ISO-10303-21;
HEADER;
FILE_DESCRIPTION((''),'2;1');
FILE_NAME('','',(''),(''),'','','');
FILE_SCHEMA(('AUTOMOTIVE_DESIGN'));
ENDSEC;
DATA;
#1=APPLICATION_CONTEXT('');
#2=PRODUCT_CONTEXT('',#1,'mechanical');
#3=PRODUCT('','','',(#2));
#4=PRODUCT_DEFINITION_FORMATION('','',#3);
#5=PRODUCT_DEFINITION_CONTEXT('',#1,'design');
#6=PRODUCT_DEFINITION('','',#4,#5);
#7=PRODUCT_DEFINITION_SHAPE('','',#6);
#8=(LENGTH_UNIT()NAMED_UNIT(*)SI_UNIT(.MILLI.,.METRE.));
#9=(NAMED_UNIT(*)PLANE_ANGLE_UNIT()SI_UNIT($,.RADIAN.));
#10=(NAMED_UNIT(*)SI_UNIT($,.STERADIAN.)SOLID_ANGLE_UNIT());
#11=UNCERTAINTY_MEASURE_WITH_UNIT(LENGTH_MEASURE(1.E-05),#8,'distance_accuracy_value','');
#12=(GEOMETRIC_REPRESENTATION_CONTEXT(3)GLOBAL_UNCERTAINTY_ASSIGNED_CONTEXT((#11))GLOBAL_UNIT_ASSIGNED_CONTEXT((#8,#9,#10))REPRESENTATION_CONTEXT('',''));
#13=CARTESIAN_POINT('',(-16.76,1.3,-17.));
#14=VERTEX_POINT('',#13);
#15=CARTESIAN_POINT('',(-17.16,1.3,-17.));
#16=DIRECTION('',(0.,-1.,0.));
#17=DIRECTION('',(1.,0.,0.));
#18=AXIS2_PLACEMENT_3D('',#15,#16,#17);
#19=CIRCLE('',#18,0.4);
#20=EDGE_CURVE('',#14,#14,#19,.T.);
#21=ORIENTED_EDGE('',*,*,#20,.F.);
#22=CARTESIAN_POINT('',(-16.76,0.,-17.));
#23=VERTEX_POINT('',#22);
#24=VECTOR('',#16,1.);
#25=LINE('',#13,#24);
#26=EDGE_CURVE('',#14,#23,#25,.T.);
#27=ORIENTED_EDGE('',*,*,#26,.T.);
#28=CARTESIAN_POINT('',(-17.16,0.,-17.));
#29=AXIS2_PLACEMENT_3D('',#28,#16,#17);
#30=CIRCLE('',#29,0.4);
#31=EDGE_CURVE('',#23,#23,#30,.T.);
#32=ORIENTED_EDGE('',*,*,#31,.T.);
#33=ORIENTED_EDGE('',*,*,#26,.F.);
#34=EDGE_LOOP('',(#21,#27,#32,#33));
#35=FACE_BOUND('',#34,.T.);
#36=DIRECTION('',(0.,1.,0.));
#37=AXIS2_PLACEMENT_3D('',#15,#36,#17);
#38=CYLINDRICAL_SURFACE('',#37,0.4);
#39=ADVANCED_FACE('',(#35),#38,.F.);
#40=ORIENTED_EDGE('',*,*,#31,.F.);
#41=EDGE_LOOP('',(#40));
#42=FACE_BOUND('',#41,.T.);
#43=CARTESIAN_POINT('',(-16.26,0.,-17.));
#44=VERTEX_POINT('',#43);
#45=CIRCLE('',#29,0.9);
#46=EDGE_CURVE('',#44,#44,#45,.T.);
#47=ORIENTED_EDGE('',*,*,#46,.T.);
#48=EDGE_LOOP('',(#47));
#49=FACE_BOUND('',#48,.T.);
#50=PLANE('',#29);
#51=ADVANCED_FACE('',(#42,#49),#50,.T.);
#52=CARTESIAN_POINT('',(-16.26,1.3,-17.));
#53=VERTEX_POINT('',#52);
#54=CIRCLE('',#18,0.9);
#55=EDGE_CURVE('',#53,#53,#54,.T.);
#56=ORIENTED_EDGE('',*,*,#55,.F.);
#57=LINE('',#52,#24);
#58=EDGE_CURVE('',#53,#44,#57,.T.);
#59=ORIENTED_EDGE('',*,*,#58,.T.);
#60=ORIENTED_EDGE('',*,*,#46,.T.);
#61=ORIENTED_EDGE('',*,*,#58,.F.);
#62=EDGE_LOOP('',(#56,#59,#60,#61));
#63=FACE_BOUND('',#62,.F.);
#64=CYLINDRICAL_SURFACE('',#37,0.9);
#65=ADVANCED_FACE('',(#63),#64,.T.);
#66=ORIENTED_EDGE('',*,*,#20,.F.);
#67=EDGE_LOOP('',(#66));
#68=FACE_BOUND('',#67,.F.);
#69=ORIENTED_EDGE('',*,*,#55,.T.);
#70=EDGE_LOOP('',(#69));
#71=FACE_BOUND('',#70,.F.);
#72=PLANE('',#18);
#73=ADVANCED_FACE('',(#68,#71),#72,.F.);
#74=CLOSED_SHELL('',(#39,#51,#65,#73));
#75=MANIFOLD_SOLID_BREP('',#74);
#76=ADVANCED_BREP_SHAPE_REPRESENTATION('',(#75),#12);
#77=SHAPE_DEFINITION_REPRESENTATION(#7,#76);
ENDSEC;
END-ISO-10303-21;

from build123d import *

# Parameters (mm, degrees)
CYLINDER178_R          = 0.4
CYLINDER178_DEPTH      = 1.3
CYLINDER179_R          = 0.9
CYLINDER179_DEPTH      = 1.3
CUT119_PLACEMENT_ANGLE = 90


with BuildPart() as cylinder178:
    # Cylinder178 → Cylinder178 (new body)
    with BuildSketch(Plane.XY):
        Circle(CYLINDER178_R)
    extrude(amount=CYLINDER178_DEPTH)


with BuildPart() as contact004:
    # Cylinder179 → Cylinder179 (new body)
    with BuildSketch(Plane.XY):
        Circle(CYLINDER179_R)
    extrude(amount=CYLINDER179_DEPTH)

    # Cut119: cut Cylinder178
    add(cylinder178.part, mode=Mode.SUBTRACT)


with BuildPart() as contact004_1:
    # Cut119 placement: moved
    add(contact004.part.moved(Location((-17.16, 1.3, -17))).rotate(Axis((-17.16, 1.3, -17), (1, 0, 0)), CUT119_PLACEMENT_ANGLE))


solid = contact004_1.part
